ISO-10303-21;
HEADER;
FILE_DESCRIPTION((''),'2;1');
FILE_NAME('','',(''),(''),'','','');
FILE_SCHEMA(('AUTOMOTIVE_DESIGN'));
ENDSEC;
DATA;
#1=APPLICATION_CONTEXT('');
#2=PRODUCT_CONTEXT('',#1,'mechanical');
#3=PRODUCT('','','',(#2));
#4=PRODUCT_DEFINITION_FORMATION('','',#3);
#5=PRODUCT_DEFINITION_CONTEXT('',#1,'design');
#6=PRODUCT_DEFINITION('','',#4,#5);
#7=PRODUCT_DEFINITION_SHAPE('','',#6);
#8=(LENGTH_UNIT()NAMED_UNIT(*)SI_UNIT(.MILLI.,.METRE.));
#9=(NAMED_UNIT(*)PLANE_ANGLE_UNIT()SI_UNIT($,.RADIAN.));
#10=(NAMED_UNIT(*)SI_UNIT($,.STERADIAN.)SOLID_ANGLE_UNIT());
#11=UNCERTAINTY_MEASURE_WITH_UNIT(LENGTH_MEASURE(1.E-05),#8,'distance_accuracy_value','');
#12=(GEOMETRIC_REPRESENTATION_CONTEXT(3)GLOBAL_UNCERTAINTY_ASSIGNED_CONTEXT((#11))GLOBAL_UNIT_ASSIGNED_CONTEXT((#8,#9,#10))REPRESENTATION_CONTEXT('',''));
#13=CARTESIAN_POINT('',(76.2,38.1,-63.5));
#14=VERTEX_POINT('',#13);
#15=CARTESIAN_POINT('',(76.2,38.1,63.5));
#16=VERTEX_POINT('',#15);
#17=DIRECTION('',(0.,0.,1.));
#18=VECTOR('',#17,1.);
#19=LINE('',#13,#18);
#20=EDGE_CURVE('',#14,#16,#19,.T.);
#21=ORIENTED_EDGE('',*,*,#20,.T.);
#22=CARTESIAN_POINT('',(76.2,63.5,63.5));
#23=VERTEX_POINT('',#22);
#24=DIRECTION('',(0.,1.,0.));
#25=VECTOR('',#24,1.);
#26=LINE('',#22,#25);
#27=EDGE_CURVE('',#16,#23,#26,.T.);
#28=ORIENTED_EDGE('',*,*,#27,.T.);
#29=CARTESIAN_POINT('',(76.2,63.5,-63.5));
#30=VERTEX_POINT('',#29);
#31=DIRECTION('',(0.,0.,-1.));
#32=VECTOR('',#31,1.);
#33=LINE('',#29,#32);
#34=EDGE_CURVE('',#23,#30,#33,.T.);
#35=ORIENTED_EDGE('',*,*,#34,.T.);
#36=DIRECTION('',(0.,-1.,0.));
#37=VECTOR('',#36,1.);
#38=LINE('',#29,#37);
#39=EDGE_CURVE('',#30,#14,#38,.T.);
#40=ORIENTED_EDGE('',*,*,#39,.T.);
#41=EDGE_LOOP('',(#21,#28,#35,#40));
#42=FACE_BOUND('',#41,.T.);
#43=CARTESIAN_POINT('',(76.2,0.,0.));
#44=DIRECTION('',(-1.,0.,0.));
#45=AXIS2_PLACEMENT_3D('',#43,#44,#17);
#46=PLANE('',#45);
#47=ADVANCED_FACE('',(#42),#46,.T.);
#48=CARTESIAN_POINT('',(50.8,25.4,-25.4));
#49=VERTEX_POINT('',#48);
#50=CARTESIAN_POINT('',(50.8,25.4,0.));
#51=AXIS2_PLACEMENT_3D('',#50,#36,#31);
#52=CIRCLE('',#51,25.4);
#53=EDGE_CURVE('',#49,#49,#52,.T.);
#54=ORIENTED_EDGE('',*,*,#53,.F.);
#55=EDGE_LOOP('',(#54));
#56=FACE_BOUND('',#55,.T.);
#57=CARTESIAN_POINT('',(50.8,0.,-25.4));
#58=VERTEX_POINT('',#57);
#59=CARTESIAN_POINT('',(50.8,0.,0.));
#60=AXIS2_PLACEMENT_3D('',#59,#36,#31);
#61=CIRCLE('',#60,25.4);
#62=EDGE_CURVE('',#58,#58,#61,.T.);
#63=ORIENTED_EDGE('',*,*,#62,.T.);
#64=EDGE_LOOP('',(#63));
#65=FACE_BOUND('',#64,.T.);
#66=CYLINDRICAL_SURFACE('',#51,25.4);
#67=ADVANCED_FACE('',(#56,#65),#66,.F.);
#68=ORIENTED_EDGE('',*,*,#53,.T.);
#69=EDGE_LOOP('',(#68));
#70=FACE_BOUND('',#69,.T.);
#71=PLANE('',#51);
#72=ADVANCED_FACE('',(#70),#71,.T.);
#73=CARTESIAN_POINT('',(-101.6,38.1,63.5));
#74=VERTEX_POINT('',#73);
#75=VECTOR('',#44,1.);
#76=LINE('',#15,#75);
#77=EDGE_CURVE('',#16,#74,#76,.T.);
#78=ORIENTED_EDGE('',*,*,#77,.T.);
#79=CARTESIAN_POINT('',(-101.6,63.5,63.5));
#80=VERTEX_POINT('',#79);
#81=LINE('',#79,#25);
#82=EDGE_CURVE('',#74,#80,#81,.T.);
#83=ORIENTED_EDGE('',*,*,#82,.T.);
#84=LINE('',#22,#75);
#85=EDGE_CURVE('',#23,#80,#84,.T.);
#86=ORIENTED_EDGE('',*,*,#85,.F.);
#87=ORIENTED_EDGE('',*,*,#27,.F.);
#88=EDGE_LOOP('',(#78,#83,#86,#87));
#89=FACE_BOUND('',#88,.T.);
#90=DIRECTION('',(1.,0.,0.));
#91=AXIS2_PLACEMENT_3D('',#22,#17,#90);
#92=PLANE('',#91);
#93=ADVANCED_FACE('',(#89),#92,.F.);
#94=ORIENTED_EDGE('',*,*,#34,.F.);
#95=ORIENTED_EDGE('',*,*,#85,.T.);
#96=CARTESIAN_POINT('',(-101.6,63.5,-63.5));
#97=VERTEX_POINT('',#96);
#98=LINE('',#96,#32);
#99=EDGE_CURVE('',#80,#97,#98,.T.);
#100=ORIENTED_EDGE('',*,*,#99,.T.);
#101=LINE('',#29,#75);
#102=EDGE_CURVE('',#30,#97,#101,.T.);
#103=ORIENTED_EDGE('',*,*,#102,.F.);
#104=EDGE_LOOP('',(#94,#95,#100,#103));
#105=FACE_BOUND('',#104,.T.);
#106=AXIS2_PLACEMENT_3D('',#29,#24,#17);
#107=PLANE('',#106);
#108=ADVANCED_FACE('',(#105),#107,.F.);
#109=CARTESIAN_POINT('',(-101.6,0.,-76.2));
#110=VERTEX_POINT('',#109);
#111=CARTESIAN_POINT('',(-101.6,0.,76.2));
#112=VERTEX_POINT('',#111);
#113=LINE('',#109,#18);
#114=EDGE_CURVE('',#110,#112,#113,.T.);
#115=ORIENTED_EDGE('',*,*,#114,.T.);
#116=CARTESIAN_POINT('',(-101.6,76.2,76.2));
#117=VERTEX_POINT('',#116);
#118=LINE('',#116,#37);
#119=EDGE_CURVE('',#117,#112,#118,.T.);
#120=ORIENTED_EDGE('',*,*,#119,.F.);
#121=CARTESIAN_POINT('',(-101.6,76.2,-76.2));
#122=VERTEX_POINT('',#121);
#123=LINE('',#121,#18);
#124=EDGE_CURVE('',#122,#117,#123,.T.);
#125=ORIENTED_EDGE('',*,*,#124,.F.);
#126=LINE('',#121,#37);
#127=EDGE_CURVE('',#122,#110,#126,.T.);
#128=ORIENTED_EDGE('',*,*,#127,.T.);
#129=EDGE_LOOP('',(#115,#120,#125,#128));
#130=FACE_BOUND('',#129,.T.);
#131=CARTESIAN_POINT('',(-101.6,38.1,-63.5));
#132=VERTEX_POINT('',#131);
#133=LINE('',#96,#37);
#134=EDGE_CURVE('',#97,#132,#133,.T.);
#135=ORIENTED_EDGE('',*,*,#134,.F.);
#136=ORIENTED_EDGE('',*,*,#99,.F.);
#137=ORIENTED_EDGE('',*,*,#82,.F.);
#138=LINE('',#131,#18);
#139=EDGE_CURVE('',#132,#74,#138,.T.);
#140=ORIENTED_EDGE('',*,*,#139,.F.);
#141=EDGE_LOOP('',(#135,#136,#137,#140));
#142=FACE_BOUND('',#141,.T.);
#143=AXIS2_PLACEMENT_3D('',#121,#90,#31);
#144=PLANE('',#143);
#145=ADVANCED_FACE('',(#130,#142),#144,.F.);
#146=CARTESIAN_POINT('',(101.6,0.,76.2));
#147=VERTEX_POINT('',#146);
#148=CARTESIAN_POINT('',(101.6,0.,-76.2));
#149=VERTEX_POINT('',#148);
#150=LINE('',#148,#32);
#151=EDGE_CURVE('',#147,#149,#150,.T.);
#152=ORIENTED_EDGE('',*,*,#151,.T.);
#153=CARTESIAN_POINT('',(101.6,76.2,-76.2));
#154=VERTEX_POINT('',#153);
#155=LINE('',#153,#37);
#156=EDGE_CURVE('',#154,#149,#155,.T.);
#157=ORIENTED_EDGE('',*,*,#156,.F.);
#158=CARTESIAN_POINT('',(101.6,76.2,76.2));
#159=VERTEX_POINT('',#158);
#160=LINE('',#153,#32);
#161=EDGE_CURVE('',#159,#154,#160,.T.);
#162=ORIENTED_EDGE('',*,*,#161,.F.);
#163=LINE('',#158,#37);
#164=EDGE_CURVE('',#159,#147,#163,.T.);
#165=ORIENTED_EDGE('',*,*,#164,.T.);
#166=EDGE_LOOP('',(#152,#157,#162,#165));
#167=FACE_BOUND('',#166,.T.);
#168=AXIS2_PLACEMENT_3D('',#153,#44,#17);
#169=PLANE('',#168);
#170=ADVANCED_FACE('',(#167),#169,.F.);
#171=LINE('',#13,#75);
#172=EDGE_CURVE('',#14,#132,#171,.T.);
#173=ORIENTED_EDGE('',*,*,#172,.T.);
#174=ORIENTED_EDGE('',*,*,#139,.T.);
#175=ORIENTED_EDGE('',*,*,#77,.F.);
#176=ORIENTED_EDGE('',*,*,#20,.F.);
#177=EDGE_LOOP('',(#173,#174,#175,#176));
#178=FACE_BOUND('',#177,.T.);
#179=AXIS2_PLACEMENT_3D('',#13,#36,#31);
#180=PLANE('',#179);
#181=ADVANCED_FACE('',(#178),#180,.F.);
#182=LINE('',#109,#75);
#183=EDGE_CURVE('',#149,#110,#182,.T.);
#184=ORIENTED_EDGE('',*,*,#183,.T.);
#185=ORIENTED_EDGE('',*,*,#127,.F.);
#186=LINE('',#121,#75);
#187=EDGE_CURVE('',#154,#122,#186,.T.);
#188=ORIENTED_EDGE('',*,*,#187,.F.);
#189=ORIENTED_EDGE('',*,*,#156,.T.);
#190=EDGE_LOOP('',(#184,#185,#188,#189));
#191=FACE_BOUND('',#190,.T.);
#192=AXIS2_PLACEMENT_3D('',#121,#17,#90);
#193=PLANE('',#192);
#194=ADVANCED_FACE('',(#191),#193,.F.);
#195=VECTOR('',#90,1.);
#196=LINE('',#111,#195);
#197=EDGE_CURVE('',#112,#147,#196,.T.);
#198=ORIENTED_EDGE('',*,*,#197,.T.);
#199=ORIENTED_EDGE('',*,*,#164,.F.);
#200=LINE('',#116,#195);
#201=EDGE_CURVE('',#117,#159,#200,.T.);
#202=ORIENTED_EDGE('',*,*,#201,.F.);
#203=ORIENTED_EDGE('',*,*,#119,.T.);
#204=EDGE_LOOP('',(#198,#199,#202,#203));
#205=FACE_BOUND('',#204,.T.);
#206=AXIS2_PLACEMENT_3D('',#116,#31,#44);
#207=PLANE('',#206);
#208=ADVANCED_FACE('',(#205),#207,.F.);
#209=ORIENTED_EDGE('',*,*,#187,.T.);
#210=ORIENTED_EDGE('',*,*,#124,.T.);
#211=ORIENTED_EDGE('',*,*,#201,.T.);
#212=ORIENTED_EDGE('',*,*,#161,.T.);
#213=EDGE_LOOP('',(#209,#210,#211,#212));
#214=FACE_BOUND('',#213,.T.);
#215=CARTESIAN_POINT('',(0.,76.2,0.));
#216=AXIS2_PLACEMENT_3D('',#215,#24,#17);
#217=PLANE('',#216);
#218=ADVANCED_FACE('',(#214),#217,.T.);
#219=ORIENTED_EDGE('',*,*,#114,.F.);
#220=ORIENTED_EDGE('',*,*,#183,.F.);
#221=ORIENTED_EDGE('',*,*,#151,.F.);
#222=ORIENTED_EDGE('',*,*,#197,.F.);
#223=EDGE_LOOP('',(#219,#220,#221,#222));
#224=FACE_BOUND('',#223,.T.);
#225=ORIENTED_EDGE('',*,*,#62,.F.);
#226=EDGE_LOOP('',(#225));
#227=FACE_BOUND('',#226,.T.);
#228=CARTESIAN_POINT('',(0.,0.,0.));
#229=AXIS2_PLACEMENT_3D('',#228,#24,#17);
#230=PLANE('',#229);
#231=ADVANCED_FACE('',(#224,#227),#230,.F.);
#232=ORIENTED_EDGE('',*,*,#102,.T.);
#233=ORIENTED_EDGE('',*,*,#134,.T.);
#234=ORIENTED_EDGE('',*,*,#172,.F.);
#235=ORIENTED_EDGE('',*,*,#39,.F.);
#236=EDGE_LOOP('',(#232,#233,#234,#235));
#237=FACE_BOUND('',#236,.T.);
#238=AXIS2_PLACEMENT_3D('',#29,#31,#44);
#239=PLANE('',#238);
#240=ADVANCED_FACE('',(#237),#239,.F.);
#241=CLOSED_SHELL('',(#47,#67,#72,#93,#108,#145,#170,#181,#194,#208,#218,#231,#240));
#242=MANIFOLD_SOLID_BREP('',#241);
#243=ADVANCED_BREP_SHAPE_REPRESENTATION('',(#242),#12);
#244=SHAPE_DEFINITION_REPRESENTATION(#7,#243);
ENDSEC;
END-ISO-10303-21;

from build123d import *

# Parameters (mm, degrees)
SKETCH2_W          = 203.2
SKETCH2_H          = 152.4
LINK2_DEPTH        = 76.2
SKETCH3_R          = 25.4
CUT_EXTRUDE1_DEPTH = 25.4
SKETCH4_W          = 127
SKETCH4_H          = 25.4
CUT_EXTRUDE2_DEPTH = 177.8


with BuildPart() as part:
    # Sketch2 → link2 (new body)
    with BuildSketch(Plane(origin=(0, 0, 0), x_dir=(1, 0, 0), z_dir=(0, 1, 0))):
        Rectangle(SKETCH2_W, SKETCH2_H)
    extrude(amount=LINK2_DEPTH)

    # Sketch3 → Cut-Extrude1 (cut)
    with BuildSketch(Plane.XZ):
        with Locations(Location((50.8, 0, 0), (0, 0, 270))):
            Circle(SKETCH3_R)
    extrude(amount=-CUT_EXTRUDE1_DEPTH, mode=Mode.SUBTRACT)

    # Sketch4 → Cut-Extrude2 (cut)
    with BuildSketch(Plane.ZY.offset(101.6)):
        with Locations((0, 50.8)):
            Rectangle(SKETCH4_W, SKETCH4_H)
    extrude(amount=-CUT_EXTRUDE2_DEPTH, mode=Mode.SUBTRACT)


solid = part.part
